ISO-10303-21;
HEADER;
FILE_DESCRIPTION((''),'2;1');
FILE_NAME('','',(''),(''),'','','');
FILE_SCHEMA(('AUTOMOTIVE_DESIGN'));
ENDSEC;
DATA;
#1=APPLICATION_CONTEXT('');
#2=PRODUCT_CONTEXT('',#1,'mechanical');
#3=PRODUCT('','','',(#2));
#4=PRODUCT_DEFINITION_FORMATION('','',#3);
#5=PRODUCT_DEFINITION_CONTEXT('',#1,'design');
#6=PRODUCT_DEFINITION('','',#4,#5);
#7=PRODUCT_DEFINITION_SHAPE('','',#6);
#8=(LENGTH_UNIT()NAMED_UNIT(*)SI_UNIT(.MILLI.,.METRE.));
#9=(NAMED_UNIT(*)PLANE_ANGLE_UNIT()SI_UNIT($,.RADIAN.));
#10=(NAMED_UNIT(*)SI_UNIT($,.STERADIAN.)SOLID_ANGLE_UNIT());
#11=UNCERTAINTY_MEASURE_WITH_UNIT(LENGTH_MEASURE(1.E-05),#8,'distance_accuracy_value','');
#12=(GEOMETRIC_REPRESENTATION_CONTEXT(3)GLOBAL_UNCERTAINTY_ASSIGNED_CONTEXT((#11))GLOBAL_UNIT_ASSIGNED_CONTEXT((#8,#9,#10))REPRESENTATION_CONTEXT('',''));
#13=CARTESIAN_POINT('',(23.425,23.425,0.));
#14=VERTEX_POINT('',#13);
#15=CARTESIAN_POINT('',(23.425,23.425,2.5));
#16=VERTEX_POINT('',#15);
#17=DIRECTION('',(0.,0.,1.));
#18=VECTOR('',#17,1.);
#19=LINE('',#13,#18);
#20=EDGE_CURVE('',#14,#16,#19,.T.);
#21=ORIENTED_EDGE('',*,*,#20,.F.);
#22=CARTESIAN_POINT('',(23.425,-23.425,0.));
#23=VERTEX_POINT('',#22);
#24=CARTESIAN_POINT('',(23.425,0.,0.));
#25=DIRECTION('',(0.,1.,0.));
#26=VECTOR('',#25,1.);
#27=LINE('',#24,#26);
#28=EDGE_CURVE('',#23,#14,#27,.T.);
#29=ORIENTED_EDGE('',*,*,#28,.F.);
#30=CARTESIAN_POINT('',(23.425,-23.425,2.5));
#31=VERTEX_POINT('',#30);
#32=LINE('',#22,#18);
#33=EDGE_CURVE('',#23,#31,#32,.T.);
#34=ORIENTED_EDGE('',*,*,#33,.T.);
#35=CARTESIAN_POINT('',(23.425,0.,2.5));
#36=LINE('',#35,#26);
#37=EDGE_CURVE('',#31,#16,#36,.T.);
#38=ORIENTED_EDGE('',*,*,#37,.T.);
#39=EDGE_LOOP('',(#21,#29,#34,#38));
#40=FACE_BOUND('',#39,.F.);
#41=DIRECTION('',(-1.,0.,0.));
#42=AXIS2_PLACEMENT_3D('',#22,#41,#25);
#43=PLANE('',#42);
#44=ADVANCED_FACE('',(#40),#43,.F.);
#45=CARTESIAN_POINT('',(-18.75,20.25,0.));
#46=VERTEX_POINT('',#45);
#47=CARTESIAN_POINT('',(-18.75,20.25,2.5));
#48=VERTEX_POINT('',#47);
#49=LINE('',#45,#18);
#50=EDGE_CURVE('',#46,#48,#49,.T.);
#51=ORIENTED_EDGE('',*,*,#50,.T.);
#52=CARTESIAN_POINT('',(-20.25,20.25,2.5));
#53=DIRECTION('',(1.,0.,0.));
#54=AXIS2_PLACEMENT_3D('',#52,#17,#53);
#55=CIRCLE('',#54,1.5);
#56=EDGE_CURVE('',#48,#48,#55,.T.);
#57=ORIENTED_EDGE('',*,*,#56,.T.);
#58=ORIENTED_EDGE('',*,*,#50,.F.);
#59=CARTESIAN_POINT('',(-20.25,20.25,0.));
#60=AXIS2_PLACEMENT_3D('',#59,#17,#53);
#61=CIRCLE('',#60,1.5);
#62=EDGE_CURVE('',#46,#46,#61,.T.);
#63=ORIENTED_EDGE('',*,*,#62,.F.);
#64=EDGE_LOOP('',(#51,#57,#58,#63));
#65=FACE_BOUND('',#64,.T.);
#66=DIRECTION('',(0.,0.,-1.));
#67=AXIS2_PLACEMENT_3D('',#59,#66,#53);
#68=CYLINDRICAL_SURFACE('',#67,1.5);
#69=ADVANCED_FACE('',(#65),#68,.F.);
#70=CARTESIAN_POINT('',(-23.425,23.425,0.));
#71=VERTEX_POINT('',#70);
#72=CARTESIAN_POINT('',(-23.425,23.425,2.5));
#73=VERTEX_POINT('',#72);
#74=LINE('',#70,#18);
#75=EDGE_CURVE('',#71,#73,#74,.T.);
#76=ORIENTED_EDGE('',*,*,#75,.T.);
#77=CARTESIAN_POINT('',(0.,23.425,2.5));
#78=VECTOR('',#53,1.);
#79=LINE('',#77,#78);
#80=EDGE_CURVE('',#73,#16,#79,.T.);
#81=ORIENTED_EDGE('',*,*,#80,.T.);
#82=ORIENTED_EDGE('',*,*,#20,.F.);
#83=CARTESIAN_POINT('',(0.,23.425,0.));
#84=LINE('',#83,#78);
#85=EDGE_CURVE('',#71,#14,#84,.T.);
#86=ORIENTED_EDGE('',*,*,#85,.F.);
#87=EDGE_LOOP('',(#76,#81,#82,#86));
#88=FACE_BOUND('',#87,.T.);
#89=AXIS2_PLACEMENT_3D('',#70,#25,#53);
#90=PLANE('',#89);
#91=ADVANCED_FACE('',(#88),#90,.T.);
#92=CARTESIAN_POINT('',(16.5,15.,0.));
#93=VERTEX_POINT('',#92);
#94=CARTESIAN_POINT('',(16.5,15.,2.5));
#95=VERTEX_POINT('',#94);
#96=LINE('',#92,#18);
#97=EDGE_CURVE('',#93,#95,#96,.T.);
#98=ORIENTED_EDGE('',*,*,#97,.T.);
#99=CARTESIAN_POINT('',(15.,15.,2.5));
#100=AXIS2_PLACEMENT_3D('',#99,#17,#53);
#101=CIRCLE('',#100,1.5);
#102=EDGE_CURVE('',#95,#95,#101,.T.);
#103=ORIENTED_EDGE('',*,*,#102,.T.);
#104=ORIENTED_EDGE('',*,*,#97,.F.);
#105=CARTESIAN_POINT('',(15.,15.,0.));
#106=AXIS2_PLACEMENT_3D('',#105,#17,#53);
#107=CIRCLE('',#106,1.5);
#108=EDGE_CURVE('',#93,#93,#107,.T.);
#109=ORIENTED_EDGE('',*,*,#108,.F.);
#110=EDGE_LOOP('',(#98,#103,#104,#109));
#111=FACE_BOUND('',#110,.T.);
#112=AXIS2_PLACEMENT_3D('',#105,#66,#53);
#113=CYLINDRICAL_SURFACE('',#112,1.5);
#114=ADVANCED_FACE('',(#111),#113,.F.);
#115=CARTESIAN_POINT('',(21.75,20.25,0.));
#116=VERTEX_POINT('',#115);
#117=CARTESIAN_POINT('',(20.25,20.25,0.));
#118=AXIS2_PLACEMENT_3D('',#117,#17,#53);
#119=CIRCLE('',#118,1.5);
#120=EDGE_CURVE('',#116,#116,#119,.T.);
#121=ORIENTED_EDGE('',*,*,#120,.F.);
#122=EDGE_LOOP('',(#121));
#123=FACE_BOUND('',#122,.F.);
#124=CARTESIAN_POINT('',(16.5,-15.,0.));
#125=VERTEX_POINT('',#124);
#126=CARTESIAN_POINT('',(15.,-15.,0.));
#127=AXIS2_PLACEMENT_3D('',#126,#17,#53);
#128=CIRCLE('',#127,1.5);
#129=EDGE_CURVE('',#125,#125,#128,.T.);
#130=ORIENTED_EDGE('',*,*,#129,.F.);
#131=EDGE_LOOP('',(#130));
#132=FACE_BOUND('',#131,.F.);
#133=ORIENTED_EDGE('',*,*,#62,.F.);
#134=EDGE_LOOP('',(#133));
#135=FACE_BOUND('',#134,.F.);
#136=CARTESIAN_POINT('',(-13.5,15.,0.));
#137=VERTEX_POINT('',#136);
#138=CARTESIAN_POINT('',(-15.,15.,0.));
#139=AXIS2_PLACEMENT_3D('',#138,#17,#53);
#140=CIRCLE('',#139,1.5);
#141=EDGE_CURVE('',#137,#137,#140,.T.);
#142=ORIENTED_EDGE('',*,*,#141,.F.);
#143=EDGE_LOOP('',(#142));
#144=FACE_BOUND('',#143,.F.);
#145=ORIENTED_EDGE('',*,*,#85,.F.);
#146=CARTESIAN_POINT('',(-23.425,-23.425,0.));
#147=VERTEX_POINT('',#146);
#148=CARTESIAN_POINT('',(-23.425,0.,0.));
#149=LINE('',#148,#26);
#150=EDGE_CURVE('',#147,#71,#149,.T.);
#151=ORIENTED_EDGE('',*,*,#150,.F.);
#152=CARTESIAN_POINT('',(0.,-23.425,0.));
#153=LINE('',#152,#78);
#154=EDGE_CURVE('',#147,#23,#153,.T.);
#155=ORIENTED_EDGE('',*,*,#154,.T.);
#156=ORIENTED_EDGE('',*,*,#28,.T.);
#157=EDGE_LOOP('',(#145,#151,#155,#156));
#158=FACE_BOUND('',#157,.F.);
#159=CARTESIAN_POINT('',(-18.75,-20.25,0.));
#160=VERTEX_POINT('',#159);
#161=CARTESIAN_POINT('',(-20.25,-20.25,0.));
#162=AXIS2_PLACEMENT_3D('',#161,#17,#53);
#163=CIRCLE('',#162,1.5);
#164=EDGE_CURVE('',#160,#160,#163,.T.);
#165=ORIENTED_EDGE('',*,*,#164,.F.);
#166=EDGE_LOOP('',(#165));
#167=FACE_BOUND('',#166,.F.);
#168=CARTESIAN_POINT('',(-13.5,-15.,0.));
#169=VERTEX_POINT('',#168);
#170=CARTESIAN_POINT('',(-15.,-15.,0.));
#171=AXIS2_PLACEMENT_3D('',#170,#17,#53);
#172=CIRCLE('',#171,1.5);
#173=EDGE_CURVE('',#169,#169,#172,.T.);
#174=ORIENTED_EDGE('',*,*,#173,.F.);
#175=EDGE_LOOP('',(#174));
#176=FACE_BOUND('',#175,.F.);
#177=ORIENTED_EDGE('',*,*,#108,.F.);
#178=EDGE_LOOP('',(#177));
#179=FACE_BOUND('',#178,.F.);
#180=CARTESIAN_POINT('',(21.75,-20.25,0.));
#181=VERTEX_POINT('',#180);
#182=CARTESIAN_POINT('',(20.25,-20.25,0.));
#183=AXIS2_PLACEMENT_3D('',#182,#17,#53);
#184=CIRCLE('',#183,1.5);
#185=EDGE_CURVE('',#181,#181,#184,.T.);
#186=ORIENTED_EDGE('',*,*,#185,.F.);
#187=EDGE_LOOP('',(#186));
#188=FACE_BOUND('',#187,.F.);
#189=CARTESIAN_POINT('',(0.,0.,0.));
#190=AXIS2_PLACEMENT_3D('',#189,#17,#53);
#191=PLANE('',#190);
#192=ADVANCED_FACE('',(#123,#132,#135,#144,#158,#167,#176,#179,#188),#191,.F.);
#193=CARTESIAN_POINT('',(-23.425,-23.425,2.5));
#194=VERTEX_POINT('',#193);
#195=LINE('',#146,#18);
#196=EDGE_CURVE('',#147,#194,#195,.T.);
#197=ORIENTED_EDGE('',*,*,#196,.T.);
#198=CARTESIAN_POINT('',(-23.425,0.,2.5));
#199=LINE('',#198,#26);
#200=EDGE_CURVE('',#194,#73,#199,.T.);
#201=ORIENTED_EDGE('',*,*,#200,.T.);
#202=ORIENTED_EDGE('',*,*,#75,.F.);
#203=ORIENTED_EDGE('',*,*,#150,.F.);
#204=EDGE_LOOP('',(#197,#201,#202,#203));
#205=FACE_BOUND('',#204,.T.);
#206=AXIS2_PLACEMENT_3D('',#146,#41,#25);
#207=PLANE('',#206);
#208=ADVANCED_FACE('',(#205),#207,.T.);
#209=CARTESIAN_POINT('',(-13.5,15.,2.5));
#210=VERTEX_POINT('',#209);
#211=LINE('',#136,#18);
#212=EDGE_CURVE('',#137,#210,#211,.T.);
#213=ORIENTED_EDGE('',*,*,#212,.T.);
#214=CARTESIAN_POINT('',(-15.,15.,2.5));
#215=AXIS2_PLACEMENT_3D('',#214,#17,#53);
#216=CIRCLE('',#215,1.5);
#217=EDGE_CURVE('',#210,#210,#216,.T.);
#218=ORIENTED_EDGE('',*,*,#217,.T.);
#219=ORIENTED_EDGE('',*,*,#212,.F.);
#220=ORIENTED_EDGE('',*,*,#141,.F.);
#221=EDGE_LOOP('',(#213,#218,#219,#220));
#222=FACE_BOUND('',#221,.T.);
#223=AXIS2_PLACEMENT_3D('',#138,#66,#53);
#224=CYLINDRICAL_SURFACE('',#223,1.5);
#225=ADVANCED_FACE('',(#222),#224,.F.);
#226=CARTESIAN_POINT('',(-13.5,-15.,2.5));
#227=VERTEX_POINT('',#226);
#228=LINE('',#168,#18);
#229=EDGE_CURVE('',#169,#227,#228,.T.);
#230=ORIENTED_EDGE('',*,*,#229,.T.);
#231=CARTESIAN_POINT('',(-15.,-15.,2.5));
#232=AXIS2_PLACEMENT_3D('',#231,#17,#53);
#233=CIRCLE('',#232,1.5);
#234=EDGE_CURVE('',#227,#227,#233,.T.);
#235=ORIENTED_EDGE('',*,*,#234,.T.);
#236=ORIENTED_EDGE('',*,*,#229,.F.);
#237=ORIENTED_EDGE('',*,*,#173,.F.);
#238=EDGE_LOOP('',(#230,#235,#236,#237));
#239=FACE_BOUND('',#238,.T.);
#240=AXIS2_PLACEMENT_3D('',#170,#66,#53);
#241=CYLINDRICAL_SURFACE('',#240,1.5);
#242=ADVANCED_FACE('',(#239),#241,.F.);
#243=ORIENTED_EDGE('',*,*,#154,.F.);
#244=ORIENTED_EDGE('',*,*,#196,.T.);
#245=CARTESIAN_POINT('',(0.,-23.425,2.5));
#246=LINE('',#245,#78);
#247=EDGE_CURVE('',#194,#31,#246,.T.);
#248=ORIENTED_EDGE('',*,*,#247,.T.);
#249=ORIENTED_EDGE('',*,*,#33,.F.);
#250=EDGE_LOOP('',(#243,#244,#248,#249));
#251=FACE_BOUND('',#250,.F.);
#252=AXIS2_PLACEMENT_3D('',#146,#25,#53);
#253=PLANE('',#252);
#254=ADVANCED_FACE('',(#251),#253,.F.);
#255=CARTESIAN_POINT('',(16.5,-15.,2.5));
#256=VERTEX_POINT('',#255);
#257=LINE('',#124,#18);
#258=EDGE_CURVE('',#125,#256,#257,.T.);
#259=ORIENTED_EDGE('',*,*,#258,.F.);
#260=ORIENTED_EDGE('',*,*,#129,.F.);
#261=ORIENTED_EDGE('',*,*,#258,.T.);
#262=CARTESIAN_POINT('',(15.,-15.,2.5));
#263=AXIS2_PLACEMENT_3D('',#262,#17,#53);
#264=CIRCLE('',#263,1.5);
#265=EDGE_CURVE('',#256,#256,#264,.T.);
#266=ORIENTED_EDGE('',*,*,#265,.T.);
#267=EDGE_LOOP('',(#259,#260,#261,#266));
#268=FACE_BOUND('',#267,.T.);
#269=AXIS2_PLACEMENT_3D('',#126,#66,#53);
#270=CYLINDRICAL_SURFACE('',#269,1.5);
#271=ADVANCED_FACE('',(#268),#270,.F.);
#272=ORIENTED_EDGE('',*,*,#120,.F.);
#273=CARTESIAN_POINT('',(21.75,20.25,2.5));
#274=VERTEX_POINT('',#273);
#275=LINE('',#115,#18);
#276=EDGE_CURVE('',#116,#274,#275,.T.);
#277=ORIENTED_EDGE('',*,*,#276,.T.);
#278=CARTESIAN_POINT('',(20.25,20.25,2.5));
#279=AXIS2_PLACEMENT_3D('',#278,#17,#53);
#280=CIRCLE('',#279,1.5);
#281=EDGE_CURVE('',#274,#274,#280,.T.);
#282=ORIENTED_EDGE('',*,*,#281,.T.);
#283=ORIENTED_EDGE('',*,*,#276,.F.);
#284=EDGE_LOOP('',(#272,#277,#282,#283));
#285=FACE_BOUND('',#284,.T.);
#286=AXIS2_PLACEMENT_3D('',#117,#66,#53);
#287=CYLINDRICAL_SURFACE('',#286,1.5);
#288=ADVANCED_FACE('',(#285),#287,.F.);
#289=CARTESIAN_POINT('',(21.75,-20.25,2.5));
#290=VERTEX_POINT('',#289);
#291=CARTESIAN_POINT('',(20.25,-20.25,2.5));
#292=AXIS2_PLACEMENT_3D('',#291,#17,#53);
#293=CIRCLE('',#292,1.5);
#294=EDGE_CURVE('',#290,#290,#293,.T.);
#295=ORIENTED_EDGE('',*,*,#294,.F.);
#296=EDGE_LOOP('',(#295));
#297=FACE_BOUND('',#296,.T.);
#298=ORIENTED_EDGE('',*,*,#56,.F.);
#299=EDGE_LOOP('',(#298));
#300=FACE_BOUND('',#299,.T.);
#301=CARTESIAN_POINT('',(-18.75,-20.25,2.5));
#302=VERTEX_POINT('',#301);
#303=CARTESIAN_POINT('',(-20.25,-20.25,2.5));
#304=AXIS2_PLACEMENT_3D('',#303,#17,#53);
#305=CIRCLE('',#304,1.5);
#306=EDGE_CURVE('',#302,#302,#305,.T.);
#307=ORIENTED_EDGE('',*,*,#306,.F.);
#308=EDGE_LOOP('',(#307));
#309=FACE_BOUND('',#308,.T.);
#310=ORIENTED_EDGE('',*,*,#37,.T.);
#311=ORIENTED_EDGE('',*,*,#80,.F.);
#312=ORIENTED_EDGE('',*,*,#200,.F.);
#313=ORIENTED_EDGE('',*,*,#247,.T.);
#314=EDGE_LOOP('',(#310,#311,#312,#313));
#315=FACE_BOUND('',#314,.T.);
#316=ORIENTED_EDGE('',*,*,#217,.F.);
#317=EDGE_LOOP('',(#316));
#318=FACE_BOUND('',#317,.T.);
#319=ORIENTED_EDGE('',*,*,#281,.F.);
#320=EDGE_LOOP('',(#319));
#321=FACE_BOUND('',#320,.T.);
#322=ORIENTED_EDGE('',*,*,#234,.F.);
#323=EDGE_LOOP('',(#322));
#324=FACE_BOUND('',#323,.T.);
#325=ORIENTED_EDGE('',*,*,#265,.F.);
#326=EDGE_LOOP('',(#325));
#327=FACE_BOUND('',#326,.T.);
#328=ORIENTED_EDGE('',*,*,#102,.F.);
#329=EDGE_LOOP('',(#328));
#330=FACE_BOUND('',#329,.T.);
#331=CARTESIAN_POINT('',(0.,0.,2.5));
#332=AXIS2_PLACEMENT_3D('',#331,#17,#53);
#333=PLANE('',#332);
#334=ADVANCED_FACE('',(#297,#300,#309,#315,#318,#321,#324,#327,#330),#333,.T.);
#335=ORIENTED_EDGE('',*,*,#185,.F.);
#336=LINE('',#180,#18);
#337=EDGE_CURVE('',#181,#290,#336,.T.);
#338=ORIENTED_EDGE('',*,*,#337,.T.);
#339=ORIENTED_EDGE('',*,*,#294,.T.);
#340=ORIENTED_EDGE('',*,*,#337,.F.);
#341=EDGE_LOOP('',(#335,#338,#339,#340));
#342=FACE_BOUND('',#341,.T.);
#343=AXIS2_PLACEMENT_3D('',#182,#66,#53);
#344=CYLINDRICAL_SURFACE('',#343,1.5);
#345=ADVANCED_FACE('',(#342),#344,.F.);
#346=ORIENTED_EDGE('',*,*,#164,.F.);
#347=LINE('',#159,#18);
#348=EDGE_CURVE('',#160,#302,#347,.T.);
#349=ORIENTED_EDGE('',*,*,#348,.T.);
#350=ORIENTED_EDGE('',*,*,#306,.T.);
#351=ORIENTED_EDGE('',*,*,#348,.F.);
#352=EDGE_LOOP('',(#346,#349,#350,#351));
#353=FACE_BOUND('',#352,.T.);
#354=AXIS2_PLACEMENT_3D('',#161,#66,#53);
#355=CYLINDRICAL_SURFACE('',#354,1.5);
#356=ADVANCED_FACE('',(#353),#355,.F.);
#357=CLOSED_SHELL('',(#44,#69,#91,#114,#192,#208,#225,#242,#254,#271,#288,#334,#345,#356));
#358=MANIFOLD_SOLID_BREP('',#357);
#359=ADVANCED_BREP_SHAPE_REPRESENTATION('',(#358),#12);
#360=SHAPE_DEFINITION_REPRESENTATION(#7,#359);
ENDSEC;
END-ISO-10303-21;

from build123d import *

# Parameters (mm, degrees)
F0_W     = 46.85
F0_H     = 46.85
F0_R     = 1.5
F1_DEPTH = 2.5


with BuildPart() as f1:
    # F0 (on Top) → F1 (new body)
    with BuildSketch(Plane.XY):
        Rectangle(F0_W, F0_H)
        with Locations((-20.25, -20.25)):
            Circle(F0_R, mode=Mode.SUBTRACT)
        with Locations((-15, -15)):
            Circle(F0_R, mode=Mode.SUBTRACT)
        with Locations((20.25, -20.25)):
            Circle(F0_R, mode=Mode.SUBTRACT)
        with Locations((15, -15)):
            Circle(F0_R, mode=Mode.SUBTRACT)
        with Locations((-15, 15)):
            Circle(F0_R, mode=Mode.SUBTRACT)
        with Locations((-20.25, 20.25)):
            Circle(F0_R, mode=Mode.SUBTRACT)
        with Locations((15, 15)):
            Circle(F0_R, mode=Mode.SUBTRACT)
        with Locations((20.25, 20.25)):
            Circle(F0_R, mode=Mode.SUBTRACT)
    extrude(amount=F1_DEPTH)


solid = f1.part
